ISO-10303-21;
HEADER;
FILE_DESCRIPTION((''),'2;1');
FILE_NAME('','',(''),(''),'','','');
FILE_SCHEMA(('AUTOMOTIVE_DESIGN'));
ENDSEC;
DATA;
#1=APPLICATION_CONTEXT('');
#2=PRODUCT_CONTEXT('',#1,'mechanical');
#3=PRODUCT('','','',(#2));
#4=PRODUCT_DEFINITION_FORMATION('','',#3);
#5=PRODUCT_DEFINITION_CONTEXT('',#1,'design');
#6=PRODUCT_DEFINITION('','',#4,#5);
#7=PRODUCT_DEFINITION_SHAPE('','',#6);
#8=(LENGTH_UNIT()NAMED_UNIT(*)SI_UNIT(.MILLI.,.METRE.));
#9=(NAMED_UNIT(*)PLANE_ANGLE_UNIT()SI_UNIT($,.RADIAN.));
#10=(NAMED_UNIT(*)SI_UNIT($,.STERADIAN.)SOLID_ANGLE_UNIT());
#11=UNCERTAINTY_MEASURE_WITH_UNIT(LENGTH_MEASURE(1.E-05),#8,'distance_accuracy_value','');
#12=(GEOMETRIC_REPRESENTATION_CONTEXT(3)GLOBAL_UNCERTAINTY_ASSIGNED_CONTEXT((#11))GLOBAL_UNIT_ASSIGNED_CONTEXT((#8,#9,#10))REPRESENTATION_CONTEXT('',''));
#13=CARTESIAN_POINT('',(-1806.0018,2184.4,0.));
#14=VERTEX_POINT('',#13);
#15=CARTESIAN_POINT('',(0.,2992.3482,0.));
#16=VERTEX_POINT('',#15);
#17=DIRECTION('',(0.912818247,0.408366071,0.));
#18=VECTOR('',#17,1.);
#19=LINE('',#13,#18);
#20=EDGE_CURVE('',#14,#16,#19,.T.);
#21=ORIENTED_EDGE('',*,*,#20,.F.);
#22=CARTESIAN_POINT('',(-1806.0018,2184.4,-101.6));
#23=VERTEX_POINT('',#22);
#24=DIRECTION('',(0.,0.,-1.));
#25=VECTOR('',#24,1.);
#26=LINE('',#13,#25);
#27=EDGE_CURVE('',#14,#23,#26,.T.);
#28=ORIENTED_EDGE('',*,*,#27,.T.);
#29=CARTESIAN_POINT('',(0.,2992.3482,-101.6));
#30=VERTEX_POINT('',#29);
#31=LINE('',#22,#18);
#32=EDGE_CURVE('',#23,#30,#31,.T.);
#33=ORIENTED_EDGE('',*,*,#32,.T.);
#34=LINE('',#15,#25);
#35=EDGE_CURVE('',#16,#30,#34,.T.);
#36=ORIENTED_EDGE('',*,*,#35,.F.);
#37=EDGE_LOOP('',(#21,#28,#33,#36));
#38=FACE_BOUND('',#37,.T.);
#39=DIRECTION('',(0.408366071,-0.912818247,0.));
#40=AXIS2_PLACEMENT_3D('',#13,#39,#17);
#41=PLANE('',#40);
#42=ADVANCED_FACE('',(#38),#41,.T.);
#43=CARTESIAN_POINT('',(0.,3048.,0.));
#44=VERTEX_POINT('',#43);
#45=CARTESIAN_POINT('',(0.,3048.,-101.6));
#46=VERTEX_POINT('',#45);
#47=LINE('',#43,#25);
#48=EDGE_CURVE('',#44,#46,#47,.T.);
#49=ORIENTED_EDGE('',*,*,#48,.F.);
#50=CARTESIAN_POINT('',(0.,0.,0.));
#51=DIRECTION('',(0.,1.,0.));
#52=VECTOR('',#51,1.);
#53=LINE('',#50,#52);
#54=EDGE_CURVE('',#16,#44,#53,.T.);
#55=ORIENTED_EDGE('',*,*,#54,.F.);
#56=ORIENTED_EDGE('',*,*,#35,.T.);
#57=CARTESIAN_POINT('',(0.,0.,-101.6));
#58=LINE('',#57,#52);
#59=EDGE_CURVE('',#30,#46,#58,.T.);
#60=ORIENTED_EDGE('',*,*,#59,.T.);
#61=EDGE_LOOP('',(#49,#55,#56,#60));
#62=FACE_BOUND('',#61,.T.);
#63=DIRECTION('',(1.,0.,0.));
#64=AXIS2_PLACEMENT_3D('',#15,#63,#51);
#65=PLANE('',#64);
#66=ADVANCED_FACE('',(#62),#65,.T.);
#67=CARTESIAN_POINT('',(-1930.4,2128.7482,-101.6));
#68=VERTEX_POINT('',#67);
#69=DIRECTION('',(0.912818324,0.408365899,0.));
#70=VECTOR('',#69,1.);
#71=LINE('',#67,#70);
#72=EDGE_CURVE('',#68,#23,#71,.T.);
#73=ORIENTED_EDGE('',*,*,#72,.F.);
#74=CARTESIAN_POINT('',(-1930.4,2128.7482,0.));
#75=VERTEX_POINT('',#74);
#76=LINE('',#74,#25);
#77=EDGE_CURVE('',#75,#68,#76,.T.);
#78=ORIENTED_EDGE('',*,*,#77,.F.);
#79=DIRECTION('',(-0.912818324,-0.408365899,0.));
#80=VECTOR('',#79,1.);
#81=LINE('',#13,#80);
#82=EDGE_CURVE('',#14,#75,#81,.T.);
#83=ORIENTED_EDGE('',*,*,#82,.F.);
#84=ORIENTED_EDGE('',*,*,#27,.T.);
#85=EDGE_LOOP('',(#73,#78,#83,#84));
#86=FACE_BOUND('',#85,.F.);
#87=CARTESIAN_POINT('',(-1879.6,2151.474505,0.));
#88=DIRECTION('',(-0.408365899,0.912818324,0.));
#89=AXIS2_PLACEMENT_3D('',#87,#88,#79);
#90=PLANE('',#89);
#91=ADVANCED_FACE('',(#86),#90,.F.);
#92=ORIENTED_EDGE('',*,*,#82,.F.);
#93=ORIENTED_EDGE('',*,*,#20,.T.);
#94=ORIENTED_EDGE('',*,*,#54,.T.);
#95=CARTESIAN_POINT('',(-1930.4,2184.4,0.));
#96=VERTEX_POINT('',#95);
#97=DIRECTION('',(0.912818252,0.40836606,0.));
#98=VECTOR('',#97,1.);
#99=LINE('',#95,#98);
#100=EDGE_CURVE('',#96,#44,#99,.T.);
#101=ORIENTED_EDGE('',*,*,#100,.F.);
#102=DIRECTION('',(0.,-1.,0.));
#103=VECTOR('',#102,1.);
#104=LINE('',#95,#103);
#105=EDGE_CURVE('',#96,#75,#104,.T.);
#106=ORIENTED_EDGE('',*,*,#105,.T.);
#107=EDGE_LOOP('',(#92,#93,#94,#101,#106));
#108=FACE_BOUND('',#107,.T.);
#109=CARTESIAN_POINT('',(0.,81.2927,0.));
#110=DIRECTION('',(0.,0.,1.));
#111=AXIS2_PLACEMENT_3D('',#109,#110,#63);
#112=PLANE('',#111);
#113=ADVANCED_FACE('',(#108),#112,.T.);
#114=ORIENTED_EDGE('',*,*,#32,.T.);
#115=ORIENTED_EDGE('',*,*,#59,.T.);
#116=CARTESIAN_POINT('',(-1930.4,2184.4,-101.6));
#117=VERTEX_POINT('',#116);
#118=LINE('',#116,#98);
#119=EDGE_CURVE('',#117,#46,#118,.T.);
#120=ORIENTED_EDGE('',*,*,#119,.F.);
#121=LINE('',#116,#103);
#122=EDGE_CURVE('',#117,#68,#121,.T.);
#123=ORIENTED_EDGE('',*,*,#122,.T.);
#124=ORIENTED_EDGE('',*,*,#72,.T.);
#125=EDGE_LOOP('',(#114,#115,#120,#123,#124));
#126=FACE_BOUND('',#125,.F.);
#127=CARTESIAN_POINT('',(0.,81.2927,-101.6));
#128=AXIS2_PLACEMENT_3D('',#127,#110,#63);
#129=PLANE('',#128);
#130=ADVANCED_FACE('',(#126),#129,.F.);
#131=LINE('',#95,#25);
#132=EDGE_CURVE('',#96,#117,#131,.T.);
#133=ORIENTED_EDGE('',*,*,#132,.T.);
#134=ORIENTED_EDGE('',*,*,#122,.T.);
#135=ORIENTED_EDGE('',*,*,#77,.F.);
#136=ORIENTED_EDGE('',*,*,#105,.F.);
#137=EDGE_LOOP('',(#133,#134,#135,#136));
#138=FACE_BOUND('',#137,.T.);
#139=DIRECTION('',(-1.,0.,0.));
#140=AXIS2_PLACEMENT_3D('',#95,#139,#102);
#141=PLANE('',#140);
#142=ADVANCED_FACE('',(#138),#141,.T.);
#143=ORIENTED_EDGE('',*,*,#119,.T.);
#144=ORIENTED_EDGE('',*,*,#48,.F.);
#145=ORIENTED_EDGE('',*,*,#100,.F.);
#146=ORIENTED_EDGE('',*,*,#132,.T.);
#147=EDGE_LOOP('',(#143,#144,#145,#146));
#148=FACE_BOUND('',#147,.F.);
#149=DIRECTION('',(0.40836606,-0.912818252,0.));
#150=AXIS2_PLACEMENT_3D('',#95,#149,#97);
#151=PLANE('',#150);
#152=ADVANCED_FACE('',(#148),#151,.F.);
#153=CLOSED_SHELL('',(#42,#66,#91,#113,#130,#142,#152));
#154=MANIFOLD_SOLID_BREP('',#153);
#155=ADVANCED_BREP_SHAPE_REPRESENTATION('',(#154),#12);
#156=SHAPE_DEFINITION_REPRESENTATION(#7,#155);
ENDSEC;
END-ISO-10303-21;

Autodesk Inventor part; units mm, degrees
ref_plane "YZ Plane" through (0, 0, 0) normal (1, 0, 0) x (0, 1, 0)
ref_plane "XZ Plane" through (0, 0, 0) normal (0, 1, 0) x (-1, 0, 0)
ref_plane "XY Plane" through (0, 0, 0) normal (0, 0, 1) x (1, 0, 0)
ref_plane "Work Plane1" through (0, 81.2927, 0) normal (0, 0, 1) x (1, 0, 0)
ref_plane "Work Plane2" through (0, 81.2927, 0) normal (0, 0, 1) x (1, 0, 0)
sketch "Sketch2" plane through (0, 81.2927, 0) normal (0, 0, 1) x (1, 0, 0)
  line L0 (-1930.4, 883.9073) -> (-1879.6, 883.9073) projected
  line L1 (-1879.6, 2103.1073) -> (-1879.6, 883.9073) projected
  line L2 (-1930.4, 2103.1073) -> (-1879.6, 2103.1073) projected
  line L3 (-1930.4, 2103.1073) -> (-1930.4, 883.9073) projected
  line L4 (-50.8, 2001.5073) -> (-50.8, 2103.1073) projected
  line L5 (-50.8, 2103.1073) -> (-1879.6, 2103.1073) projected
  line L6 (-1879.6, 2001.5073) -> (-1879.6, 2103.1073) projected
  line L7 (-50.8, 2001.5073) -> (-1879.6, 2001.5073) projected
  line L8 (0, -81.2927) -> (50.8, -81.2927) projected
  line L9 (50.8, -81.2927) -> (50.8, 2966.7073) projected
  line L10 (0, 2966.7073) -> (50.8, 2966.7073) projected
  line L11 (0, -81.2927) -> (0, 2966.7073) projected
  line L12 (-1930.4, 2103.1073) -> (0, 2966.7073)
  line L13 (0, 2966.7073) -> (0, 2911.0555)
  line L14 (-1806.0018, 2103.1073) -> (0, 2911.0555)
  line L15 (-1806.0018, 2103.1073) -> (-1930.4, 2047.4555)
  line L16 (-1930.4, 2047.4555) -> (-1930.4, 2103.1073)
extrude "Extrusion2" add sketch "Sketch2" against normal blind 101.6 contours L3 L2 L1 L15 | L12 L11 L14 L5 L2 | L1 L5 L15
properties part number "back slant" material "Wood (Birch)"
